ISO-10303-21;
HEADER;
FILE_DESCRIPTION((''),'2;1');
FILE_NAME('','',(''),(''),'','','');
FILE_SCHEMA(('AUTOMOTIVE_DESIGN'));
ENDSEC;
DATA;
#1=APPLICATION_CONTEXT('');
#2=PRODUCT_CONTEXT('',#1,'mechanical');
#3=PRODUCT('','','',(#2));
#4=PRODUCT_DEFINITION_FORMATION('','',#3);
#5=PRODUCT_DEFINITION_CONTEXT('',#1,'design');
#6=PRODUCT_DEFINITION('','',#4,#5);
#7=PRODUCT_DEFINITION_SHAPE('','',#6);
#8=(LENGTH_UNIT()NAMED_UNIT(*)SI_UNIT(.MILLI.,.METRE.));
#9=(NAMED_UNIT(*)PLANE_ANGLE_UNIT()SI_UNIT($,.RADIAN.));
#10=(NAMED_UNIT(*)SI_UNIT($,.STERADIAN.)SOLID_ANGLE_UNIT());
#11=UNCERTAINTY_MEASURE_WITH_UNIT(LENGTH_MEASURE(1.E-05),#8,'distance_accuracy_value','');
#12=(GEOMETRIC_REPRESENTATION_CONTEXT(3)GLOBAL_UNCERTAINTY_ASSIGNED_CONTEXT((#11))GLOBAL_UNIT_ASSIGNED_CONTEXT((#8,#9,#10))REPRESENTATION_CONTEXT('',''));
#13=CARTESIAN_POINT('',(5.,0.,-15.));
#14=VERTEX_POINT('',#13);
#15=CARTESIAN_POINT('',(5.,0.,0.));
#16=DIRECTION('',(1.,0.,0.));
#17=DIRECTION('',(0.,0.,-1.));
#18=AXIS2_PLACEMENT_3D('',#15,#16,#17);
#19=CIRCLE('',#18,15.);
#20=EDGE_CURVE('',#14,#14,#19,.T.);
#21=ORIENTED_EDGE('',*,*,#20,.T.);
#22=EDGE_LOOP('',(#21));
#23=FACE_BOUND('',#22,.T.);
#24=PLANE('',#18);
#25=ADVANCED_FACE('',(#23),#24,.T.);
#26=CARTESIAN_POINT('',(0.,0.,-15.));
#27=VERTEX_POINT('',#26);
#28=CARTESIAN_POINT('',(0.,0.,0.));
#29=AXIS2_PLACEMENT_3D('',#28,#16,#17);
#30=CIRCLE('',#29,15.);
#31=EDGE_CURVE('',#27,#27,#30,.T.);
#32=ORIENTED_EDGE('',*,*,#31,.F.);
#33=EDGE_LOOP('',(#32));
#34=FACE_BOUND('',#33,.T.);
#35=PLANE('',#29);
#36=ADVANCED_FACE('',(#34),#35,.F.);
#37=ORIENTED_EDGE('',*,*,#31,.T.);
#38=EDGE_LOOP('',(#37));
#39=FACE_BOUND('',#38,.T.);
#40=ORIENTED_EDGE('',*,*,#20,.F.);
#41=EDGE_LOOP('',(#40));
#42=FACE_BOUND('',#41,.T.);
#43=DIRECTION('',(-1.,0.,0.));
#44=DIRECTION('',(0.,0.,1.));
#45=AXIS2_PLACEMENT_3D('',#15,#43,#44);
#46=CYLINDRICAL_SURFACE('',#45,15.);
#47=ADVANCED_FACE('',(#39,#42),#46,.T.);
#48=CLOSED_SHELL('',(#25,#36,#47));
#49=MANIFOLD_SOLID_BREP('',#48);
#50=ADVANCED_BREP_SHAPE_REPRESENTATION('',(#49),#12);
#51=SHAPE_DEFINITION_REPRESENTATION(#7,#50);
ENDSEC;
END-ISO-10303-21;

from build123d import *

# Parameters (mm, degrees)
SKETCH1_R           = 15
BOSS_EXTRUDE1_DEPTH = 5


with BuildPart() as part:
    # Sketch1 → Boss-Extrude1 (new body)
    with BuildSketch(Plane(origin=(0, 0, 0), x_dir=(0, 0, -1), z_dir=(1, 0, 0))):
        Circle(SKETCH1_R)
    extrude(amount=BOSS_EXTRUDE1_DEPTH)


solid = part.part
